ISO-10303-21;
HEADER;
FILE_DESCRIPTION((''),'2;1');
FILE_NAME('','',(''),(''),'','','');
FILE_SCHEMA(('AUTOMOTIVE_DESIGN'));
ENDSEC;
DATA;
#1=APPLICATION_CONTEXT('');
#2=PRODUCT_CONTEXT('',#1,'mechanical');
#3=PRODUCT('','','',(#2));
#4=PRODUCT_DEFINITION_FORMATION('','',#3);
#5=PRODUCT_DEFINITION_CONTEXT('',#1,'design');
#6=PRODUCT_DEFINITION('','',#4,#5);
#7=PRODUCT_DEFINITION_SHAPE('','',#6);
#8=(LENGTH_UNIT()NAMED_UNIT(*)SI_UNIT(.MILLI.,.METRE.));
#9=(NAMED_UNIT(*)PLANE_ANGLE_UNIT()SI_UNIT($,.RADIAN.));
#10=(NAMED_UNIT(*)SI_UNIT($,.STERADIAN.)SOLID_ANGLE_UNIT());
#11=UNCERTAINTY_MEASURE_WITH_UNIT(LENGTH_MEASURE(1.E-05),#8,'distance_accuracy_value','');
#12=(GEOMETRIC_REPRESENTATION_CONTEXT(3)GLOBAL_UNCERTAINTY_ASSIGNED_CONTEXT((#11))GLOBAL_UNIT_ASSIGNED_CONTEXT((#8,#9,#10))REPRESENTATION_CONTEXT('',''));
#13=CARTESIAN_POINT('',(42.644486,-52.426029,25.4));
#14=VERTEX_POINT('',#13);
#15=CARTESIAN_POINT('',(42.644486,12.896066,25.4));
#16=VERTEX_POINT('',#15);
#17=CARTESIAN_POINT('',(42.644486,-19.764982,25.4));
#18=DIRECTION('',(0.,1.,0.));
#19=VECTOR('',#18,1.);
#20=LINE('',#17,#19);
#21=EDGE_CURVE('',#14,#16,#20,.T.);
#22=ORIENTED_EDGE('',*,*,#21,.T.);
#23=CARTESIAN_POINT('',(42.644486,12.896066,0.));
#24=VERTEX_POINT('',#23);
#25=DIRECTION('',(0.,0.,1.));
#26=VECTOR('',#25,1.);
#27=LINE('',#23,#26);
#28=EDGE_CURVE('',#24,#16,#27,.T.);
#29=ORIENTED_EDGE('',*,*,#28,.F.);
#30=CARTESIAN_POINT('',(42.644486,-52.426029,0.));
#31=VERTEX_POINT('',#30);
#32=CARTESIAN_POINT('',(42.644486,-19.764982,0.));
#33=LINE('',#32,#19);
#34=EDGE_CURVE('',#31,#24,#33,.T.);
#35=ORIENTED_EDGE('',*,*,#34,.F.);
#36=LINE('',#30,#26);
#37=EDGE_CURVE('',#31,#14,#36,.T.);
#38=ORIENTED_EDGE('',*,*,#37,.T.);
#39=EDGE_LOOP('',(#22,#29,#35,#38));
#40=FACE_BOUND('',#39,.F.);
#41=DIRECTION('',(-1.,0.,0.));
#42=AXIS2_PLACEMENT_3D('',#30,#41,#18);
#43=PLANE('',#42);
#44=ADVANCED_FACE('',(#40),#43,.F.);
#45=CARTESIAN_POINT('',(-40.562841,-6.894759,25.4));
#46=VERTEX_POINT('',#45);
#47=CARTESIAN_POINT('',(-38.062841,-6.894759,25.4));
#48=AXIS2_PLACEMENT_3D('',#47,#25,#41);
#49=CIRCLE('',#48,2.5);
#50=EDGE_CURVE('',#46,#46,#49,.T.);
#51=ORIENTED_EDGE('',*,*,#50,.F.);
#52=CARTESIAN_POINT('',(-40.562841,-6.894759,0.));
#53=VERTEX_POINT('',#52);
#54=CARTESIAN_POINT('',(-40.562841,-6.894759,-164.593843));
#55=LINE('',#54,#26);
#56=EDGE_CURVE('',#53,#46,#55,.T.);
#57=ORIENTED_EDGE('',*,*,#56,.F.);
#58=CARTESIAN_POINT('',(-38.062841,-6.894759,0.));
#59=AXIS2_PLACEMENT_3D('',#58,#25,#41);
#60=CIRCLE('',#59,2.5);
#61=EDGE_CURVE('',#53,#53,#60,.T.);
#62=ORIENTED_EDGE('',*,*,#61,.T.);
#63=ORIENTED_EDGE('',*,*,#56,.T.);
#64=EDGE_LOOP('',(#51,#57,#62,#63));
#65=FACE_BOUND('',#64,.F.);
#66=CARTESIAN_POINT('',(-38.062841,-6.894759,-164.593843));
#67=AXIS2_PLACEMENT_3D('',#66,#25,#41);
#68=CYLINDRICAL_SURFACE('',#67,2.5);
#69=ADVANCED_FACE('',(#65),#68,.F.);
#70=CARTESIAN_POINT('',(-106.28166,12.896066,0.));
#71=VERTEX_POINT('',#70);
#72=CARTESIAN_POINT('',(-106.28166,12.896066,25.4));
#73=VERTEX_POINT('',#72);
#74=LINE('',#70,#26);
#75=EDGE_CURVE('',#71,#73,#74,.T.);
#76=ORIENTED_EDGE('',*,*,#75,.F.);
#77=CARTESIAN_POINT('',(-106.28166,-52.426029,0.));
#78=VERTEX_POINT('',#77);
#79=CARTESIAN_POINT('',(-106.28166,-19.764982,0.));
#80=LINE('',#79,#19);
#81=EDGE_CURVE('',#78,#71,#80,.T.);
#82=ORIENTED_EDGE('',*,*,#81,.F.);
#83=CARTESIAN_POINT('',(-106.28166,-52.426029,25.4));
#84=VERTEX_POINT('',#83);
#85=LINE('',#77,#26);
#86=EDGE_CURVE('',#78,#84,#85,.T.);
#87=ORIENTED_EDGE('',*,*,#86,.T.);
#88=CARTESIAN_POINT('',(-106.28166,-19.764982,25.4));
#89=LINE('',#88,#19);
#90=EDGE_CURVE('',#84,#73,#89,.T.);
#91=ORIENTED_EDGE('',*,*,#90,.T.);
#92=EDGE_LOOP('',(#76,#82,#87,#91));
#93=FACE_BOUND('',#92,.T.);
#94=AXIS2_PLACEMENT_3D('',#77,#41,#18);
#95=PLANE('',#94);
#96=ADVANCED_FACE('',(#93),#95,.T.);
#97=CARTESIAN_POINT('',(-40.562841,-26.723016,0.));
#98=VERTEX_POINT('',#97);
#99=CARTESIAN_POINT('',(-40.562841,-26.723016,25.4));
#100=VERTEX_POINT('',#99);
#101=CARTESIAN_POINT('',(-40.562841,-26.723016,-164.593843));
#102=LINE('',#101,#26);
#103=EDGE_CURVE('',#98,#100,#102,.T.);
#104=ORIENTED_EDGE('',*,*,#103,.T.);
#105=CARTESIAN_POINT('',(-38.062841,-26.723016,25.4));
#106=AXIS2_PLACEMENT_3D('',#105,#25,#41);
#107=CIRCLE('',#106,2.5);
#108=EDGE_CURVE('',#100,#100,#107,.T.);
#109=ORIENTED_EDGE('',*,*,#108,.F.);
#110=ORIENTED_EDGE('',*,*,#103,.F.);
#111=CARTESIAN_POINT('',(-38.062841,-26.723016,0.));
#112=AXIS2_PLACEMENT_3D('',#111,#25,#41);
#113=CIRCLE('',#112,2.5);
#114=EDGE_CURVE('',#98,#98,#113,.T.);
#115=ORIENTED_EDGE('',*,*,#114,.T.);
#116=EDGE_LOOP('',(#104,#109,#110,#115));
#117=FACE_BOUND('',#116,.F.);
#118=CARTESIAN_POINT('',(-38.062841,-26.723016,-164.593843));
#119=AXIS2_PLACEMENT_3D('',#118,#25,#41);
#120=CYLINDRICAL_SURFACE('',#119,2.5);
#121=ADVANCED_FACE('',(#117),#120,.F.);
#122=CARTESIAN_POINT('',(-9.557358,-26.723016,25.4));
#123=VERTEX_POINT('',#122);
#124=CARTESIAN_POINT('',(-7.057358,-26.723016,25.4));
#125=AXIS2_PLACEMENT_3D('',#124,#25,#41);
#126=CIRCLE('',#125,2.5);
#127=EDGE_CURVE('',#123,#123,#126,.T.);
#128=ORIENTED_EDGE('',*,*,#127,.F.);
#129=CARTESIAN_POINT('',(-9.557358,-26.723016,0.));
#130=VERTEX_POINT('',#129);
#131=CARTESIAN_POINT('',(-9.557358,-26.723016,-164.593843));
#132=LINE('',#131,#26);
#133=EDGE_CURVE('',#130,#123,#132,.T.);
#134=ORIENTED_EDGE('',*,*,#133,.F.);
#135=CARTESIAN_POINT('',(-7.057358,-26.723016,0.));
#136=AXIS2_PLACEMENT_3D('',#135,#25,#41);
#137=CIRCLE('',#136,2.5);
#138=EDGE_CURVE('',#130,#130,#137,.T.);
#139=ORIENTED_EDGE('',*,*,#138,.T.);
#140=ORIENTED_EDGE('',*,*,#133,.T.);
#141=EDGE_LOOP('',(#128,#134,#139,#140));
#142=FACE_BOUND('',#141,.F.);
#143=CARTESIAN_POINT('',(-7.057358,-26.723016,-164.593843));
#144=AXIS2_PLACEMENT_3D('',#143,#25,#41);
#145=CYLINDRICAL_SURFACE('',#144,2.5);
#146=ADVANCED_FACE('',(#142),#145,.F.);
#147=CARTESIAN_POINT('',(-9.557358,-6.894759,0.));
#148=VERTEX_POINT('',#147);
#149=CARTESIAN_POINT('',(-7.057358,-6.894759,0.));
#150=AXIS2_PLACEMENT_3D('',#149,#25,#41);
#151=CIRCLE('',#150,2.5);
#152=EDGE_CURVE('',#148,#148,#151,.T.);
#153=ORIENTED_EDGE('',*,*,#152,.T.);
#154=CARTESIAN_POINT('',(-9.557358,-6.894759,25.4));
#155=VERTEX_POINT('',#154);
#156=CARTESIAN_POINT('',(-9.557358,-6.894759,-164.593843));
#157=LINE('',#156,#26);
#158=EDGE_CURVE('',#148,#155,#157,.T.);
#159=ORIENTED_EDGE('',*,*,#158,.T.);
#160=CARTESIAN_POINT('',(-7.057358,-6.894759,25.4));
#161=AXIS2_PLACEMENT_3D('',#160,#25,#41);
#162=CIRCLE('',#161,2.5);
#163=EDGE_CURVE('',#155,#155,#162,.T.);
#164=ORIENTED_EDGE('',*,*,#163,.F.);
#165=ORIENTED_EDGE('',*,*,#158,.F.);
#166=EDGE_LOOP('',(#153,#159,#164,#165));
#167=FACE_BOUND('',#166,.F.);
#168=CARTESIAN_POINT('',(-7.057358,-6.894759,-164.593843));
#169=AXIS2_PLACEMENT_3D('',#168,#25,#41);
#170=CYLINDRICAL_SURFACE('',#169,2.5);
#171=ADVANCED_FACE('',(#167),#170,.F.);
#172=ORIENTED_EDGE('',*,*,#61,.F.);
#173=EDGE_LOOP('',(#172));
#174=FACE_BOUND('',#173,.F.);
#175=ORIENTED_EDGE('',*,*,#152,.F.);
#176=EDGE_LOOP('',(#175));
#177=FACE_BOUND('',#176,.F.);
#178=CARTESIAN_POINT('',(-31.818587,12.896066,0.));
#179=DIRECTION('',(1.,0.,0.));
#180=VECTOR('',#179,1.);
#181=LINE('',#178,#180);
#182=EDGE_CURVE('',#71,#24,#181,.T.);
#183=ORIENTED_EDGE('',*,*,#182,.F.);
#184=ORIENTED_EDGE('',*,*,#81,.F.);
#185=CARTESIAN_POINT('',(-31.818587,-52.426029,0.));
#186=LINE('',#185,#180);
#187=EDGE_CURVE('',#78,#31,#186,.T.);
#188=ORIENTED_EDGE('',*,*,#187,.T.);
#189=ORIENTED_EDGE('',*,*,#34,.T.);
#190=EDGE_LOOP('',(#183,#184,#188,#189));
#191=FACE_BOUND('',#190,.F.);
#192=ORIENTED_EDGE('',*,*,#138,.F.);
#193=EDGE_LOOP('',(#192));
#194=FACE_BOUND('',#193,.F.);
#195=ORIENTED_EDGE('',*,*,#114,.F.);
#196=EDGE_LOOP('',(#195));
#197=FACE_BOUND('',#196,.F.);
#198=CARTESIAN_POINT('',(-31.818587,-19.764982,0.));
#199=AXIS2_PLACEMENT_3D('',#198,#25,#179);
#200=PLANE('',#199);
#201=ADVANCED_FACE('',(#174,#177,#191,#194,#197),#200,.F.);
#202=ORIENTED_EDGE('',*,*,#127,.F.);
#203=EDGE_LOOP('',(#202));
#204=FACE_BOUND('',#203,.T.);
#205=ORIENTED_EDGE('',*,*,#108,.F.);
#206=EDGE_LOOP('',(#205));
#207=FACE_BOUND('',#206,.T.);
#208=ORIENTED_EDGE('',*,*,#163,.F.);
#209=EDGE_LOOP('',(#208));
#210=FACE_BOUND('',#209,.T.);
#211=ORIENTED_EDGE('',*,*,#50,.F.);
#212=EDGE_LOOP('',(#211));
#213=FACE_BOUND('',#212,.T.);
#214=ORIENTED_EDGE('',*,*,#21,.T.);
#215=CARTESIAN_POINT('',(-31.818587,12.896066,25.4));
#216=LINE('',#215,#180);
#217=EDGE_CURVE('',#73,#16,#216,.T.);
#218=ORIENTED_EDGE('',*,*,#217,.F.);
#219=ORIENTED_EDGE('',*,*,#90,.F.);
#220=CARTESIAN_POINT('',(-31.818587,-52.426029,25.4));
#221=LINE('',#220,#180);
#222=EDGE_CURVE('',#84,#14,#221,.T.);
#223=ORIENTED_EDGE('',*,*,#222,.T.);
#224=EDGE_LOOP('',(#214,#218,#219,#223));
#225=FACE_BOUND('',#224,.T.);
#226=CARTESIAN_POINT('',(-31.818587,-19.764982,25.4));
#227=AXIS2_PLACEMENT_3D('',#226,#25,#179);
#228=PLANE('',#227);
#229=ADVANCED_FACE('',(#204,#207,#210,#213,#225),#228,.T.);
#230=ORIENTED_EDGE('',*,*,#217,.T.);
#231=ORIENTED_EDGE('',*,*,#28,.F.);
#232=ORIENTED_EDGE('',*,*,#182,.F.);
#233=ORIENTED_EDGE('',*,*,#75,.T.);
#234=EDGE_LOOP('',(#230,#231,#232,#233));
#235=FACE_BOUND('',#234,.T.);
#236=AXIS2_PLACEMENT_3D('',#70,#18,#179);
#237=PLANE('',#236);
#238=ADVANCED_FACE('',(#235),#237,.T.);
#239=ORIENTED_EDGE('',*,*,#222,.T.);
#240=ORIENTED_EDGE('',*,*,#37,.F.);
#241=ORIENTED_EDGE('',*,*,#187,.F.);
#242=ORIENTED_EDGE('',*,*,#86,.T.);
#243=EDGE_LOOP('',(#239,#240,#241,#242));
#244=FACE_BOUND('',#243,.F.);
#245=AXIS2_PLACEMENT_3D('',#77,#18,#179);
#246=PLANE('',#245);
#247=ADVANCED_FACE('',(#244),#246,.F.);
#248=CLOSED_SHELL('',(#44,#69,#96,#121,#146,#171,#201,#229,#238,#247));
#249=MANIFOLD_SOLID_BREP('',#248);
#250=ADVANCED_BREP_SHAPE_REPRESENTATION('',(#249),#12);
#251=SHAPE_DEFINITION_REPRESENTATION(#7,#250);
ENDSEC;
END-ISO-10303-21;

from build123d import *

# Parameters (mm, degrees)
F0_W     = 148.9261463284
F0_H     = 65.3220945969
F1_DEPTH = 25.4
F3_D     = 5


with BuildPart() as f1:
    # F0 (on Top) → F1 (new body)
    with BuildSketch(Plane.XY):
        with Locations((-31.818587333, -19.7649816982)):
            Rectangle(F0_W, F0_H)
    extrude(amount=F1_DEPTH)

    # F3 (through all)
    with Locations(Plane(origin=(0, 0, 0), x_dir=(1, 0, 0), z_dir=(0, 0, -1))):
        with Locations((-7.0573575795, 26.7230160534), (-7.0573575795, 6.8947589025), (-38.0628407001, 26.7230160534), (-38.0628407001, 6.8947589025)):
            Hole(F3_D / 2)


solid = f1.part
